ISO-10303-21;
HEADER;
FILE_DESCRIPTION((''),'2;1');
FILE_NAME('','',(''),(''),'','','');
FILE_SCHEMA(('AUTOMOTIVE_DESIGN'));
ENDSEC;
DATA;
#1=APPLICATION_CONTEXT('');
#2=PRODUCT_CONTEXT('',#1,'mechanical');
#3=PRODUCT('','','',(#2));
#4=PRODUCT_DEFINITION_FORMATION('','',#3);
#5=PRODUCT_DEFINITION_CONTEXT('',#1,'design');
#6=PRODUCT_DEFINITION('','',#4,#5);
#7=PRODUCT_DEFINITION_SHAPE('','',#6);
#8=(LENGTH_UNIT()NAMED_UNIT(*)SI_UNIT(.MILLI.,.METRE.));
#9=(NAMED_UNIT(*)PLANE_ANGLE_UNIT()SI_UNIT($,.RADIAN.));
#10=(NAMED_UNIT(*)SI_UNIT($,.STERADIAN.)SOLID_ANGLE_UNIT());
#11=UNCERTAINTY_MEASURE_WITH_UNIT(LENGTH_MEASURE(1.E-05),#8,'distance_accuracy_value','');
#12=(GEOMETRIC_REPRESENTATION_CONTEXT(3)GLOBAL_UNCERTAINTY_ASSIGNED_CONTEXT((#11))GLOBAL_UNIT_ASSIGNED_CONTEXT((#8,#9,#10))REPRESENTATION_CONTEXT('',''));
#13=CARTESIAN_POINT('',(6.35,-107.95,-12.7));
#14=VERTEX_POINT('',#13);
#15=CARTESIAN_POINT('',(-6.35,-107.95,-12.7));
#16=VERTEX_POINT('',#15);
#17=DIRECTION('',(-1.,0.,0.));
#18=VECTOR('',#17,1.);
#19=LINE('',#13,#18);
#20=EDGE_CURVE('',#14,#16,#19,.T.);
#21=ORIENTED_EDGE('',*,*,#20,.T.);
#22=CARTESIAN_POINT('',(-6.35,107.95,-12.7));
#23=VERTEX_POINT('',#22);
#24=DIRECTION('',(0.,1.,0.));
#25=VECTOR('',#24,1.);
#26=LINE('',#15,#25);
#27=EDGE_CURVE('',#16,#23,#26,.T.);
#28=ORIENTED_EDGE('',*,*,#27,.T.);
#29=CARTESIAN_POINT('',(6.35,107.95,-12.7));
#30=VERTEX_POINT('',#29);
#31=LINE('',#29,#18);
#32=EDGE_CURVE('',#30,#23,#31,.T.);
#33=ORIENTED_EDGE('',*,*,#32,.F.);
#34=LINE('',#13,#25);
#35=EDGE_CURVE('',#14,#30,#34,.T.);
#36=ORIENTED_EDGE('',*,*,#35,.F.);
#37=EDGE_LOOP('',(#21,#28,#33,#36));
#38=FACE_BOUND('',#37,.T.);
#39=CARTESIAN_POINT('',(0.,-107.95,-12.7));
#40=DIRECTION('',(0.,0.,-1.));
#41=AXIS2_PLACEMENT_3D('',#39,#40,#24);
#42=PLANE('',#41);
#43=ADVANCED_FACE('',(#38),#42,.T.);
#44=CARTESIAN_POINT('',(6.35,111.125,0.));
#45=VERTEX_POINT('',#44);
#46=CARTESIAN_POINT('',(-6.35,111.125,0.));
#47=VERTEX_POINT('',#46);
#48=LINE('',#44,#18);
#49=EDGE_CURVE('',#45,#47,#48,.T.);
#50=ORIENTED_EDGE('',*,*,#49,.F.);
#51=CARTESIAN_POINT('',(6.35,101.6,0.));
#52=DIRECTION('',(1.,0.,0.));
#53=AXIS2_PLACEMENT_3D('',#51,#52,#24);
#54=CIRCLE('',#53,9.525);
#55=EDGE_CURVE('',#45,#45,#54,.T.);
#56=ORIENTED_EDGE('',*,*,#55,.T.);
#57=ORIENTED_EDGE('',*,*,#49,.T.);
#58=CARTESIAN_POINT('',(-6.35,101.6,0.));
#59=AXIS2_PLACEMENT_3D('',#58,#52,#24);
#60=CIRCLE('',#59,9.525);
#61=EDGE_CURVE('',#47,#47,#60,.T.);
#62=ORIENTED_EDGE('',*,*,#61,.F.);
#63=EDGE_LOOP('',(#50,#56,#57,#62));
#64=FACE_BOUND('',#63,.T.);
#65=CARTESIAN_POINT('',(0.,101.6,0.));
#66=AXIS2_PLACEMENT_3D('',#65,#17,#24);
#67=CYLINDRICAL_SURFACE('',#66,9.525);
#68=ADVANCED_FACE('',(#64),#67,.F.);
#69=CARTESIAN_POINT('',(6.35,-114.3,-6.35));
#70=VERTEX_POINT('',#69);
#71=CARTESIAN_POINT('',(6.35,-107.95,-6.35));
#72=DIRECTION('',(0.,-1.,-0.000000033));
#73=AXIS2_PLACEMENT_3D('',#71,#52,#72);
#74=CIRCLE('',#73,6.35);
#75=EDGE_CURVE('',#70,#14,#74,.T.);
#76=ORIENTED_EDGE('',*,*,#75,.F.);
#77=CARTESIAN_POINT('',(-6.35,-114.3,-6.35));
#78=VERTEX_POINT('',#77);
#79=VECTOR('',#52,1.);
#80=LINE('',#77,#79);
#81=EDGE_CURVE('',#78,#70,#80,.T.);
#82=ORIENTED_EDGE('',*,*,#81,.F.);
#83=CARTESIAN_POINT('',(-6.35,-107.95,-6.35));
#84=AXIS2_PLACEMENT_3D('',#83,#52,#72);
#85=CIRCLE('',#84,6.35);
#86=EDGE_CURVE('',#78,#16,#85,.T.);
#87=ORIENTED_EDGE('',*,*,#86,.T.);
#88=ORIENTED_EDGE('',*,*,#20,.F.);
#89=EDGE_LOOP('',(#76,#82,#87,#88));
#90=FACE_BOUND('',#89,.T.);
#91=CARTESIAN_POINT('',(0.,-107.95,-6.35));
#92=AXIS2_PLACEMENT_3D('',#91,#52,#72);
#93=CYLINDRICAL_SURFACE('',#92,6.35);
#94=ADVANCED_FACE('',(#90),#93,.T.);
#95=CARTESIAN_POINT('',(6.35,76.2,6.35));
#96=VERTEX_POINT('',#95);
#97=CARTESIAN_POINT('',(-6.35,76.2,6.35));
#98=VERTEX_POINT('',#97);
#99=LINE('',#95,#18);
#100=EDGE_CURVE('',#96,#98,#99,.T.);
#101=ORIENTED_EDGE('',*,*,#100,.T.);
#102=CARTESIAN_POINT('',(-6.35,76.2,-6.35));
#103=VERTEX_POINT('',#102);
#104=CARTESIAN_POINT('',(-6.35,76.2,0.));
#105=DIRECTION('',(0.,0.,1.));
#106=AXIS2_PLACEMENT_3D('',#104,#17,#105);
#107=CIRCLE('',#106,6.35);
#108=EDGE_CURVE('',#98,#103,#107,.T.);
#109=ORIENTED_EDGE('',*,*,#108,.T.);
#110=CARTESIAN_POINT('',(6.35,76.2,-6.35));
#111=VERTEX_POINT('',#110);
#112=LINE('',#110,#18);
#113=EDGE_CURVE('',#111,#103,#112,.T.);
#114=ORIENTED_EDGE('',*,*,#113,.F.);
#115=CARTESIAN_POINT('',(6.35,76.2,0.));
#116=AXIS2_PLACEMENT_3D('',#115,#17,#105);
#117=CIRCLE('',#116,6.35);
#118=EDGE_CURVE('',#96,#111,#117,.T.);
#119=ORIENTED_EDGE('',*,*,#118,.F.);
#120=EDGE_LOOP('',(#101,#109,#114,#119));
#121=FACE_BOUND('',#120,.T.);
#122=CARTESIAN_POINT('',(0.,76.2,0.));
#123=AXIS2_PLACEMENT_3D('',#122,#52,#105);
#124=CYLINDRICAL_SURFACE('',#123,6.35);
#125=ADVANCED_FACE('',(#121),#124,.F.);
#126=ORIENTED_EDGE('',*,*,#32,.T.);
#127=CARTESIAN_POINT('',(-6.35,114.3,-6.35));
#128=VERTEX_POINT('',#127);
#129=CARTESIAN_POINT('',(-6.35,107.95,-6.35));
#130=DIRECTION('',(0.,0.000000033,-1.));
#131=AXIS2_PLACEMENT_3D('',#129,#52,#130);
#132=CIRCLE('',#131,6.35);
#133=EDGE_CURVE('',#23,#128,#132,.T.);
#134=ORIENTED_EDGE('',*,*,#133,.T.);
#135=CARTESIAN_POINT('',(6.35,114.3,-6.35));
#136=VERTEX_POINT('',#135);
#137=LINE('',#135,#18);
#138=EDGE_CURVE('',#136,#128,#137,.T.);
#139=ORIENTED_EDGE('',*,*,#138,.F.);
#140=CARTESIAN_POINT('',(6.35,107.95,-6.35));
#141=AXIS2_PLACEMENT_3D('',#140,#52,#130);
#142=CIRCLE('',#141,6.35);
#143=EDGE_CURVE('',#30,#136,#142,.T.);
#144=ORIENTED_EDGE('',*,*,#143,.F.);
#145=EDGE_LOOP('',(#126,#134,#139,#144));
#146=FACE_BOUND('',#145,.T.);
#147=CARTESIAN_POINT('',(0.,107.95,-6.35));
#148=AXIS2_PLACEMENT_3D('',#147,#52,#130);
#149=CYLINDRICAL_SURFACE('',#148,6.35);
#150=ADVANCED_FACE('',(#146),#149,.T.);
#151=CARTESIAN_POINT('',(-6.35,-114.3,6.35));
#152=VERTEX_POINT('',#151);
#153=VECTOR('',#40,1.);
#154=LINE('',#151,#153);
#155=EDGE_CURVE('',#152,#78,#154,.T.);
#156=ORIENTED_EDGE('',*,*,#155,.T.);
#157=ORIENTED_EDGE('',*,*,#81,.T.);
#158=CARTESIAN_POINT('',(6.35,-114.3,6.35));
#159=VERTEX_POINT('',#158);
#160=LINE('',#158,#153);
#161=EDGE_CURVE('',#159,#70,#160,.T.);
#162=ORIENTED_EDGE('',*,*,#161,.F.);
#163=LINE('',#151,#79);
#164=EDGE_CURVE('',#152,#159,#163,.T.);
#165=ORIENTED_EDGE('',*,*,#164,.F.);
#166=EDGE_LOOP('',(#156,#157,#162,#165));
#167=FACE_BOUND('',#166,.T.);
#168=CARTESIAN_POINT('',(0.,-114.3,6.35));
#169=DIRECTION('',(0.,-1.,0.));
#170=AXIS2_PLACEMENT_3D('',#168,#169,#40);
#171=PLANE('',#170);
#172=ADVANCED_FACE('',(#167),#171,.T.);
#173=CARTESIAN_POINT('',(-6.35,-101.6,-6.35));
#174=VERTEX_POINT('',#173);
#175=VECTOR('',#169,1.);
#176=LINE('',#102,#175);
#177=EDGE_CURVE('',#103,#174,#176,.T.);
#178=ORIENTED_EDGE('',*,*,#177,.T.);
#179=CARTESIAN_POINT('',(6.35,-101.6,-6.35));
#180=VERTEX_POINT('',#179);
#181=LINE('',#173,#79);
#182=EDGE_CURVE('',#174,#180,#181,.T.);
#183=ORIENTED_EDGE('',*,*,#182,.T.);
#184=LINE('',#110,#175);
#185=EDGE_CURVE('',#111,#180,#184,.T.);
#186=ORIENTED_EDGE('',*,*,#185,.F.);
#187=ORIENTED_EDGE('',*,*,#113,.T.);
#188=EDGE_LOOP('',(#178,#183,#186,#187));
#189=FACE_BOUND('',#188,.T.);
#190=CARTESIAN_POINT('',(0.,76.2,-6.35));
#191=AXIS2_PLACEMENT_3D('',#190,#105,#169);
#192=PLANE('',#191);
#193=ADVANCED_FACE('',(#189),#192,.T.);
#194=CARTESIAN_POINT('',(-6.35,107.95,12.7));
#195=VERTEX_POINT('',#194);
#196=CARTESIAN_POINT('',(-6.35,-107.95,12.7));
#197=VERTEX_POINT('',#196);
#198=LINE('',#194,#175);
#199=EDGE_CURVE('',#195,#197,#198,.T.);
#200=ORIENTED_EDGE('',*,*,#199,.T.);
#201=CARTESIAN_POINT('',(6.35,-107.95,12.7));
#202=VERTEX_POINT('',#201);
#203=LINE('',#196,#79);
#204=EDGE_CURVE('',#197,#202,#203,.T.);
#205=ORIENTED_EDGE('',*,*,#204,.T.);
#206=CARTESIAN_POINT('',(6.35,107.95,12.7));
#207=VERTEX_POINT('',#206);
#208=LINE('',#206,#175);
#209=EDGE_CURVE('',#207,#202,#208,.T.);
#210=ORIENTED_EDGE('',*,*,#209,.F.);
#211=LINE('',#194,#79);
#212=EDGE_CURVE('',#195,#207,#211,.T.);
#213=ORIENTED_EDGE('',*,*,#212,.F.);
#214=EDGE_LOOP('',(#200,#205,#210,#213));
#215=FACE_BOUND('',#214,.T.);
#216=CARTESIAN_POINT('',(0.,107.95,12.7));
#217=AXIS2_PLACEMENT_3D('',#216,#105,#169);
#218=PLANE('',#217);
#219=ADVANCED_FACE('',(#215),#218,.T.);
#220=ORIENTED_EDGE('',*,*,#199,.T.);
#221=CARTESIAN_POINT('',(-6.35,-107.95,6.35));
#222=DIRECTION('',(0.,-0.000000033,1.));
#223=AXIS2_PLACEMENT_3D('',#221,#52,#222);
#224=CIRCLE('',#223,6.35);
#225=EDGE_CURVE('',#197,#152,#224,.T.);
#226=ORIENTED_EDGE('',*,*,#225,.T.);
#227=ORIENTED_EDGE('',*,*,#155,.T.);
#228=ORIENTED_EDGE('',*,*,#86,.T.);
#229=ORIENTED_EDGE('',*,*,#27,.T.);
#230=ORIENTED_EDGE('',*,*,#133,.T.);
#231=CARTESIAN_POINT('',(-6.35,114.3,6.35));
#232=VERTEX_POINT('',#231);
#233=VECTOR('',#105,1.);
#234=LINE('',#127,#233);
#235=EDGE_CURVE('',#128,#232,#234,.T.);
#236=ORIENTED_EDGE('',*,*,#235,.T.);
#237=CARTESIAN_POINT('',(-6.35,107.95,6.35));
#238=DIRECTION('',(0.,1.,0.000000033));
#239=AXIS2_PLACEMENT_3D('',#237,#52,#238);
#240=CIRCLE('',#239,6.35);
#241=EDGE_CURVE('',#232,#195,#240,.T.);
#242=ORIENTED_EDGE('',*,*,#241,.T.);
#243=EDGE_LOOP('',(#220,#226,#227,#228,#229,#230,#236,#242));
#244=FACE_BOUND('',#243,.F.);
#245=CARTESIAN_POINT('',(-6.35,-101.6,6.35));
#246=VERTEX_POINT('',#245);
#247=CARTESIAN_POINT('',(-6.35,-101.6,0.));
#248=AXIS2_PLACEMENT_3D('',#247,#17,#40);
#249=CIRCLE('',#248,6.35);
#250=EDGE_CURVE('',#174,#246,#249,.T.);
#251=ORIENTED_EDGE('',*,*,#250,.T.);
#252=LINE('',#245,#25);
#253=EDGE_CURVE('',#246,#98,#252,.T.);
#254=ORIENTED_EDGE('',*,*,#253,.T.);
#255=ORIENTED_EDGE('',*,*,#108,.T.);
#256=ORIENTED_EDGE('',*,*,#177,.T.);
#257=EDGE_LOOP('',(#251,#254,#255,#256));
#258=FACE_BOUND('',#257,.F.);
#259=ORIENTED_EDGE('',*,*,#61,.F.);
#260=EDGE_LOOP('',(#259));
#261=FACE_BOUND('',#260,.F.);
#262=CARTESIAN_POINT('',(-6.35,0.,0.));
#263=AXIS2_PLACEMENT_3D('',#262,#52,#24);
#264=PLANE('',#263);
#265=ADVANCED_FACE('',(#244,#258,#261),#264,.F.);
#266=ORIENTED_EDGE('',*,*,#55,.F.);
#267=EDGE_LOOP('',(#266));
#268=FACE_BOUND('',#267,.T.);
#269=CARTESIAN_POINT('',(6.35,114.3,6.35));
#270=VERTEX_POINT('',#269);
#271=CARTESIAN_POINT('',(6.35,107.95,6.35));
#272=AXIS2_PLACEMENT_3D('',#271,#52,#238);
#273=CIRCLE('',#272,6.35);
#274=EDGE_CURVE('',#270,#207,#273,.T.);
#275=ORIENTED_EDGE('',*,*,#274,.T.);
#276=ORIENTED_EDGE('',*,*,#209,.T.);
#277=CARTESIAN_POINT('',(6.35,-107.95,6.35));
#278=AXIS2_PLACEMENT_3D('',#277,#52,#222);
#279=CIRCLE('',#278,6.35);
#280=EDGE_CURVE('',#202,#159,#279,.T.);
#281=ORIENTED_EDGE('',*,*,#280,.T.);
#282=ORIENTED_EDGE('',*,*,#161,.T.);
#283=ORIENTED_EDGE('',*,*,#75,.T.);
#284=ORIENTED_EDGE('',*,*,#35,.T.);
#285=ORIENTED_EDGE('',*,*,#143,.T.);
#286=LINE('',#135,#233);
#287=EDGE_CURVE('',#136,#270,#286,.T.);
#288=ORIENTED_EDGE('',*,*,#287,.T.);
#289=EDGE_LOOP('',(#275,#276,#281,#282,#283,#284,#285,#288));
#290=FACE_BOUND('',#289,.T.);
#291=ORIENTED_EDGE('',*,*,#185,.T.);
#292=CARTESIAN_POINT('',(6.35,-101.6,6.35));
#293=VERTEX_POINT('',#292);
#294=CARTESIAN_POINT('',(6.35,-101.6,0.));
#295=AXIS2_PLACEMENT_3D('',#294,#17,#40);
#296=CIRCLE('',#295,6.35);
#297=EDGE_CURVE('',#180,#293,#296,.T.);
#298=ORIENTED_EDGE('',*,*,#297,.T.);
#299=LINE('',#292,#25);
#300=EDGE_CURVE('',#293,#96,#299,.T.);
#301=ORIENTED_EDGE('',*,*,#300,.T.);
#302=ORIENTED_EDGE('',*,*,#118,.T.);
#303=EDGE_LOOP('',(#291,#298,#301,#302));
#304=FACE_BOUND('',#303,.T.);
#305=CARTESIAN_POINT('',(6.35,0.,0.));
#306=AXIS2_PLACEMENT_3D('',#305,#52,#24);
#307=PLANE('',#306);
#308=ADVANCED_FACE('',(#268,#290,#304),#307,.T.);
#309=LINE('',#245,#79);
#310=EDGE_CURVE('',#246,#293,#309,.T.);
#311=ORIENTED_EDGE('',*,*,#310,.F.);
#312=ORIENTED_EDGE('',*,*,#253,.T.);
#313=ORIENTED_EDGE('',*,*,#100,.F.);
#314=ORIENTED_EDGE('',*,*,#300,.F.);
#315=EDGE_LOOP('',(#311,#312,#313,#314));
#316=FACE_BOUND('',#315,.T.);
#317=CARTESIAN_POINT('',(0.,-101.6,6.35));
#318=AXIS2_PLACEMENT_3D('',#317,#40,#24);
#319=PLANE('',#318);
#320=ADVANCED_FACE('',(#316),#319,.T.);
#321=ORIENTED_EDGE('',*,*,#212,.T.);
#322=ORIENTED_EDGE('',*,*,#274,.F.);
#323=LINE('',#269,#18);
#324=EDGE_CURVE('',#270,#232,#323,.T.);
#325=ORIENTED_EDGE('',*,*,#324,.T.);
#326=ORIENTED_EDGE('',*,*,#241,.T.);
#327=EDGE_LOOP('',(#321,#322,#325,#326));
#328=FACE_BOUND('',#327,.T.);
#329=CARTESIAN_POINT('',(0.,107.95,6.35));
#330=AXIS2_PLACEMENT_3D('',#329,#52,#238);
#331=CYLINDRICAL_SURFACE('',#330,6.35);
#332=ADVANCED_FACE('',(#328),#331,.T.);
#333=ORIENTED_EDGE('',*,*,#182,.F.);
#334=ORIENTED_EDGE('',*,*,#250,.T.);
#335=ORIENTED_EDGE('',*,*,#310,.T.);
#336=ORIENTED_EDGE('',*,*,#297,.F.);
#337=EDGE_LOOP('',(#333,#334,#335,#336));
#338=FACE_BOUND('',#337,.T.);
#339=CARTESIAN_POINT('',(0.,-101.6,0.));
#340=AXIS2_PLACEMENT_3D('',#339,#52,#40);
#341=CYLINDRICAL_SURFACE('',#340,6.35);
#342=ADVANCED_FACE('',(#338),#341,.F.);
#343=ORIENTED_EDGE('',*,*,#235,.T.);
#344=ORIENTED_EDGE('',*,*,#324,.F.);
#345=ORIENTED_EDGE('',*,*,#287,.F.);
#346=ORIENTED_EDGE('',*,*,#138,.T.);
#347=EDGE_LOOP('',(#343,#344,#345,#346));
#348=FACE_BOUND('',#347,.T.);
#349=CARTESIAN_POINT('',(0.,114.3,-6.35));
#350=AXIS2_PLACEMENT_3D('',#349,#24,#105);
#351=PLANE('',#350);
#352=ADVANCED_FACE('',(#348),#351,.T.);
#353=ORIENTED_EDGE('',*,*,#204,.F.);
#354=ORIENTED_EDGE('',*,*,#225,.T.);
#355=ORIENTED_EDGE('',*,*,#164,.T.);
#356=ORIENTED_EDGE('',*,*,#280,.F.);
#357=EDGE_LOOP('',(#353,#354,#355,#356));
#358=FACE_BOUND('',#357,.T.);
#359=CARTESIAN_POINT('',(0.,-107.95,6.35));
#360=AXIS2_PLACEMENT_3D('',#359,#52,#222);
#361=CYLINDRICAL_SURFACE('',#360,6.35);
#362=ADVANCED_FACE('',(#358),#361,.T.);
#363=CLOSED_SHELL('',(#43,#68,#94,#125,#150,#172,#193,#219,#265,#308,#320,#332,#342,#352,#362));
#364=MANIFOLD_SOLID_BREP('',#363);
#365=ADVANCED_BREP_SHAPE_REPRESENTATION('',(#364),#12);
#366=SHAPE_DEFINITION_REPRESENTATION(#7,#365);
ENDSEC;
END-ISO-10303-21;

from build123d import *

# Parameters (mm, degrees)
F0_R     = 9.525
F1_DEPTH = 6.35


with BuildPart() as f1:
    # F0 (on Right) → F1 (new body, symmetric)
    with BuildSketch(Plane.YZ):
        with BuildLine():
            ThreePointArc((114.3, 6.35), (112.440128, 10.840128), (107.95, 12.7))
            Line((107.95, 12.7), (-107.95, 12.7))
            ThreePointArc((-107.95, 12.7), (-112.440128, 10.840128), (-114.3, 6.35))
            Line((-114.3, 6.35), (-114.3, -6.35))
            ThreePointArc((-114.3, -6.35), (-112.440128, -10.840128), (-107.95, -12.7))
            Line((-107.95, -12.7), (107.95, -12.7))
            ThreePointArc((107.95, -12.7), (112.440128, -10.840128), (114.3, -6.35))
            Line((114.3, -6.35), (114.3, 6.35))
        make_face()
        with BuildLine():
            ThreePointArc((-101.6, -6.35), (-107.95, 0), (-101.6, 6.35))
            Line((-101.6, 6.35), (76.2, 6.35))
            ThreePointArc((76.2, 6.35), (82.55, 0), (76.2, -6.35))
            Line((76.2, -6.35), (-101.6, -6.35))
        make_face(mode=Mode.SUBTRACT)
        with Locations((101.6, 0)):
            Circle(F0_R, mode=Mode.SUBTRACT)
    extrude(amount=F1_DEPTH, both=True)


solid = f1.part
